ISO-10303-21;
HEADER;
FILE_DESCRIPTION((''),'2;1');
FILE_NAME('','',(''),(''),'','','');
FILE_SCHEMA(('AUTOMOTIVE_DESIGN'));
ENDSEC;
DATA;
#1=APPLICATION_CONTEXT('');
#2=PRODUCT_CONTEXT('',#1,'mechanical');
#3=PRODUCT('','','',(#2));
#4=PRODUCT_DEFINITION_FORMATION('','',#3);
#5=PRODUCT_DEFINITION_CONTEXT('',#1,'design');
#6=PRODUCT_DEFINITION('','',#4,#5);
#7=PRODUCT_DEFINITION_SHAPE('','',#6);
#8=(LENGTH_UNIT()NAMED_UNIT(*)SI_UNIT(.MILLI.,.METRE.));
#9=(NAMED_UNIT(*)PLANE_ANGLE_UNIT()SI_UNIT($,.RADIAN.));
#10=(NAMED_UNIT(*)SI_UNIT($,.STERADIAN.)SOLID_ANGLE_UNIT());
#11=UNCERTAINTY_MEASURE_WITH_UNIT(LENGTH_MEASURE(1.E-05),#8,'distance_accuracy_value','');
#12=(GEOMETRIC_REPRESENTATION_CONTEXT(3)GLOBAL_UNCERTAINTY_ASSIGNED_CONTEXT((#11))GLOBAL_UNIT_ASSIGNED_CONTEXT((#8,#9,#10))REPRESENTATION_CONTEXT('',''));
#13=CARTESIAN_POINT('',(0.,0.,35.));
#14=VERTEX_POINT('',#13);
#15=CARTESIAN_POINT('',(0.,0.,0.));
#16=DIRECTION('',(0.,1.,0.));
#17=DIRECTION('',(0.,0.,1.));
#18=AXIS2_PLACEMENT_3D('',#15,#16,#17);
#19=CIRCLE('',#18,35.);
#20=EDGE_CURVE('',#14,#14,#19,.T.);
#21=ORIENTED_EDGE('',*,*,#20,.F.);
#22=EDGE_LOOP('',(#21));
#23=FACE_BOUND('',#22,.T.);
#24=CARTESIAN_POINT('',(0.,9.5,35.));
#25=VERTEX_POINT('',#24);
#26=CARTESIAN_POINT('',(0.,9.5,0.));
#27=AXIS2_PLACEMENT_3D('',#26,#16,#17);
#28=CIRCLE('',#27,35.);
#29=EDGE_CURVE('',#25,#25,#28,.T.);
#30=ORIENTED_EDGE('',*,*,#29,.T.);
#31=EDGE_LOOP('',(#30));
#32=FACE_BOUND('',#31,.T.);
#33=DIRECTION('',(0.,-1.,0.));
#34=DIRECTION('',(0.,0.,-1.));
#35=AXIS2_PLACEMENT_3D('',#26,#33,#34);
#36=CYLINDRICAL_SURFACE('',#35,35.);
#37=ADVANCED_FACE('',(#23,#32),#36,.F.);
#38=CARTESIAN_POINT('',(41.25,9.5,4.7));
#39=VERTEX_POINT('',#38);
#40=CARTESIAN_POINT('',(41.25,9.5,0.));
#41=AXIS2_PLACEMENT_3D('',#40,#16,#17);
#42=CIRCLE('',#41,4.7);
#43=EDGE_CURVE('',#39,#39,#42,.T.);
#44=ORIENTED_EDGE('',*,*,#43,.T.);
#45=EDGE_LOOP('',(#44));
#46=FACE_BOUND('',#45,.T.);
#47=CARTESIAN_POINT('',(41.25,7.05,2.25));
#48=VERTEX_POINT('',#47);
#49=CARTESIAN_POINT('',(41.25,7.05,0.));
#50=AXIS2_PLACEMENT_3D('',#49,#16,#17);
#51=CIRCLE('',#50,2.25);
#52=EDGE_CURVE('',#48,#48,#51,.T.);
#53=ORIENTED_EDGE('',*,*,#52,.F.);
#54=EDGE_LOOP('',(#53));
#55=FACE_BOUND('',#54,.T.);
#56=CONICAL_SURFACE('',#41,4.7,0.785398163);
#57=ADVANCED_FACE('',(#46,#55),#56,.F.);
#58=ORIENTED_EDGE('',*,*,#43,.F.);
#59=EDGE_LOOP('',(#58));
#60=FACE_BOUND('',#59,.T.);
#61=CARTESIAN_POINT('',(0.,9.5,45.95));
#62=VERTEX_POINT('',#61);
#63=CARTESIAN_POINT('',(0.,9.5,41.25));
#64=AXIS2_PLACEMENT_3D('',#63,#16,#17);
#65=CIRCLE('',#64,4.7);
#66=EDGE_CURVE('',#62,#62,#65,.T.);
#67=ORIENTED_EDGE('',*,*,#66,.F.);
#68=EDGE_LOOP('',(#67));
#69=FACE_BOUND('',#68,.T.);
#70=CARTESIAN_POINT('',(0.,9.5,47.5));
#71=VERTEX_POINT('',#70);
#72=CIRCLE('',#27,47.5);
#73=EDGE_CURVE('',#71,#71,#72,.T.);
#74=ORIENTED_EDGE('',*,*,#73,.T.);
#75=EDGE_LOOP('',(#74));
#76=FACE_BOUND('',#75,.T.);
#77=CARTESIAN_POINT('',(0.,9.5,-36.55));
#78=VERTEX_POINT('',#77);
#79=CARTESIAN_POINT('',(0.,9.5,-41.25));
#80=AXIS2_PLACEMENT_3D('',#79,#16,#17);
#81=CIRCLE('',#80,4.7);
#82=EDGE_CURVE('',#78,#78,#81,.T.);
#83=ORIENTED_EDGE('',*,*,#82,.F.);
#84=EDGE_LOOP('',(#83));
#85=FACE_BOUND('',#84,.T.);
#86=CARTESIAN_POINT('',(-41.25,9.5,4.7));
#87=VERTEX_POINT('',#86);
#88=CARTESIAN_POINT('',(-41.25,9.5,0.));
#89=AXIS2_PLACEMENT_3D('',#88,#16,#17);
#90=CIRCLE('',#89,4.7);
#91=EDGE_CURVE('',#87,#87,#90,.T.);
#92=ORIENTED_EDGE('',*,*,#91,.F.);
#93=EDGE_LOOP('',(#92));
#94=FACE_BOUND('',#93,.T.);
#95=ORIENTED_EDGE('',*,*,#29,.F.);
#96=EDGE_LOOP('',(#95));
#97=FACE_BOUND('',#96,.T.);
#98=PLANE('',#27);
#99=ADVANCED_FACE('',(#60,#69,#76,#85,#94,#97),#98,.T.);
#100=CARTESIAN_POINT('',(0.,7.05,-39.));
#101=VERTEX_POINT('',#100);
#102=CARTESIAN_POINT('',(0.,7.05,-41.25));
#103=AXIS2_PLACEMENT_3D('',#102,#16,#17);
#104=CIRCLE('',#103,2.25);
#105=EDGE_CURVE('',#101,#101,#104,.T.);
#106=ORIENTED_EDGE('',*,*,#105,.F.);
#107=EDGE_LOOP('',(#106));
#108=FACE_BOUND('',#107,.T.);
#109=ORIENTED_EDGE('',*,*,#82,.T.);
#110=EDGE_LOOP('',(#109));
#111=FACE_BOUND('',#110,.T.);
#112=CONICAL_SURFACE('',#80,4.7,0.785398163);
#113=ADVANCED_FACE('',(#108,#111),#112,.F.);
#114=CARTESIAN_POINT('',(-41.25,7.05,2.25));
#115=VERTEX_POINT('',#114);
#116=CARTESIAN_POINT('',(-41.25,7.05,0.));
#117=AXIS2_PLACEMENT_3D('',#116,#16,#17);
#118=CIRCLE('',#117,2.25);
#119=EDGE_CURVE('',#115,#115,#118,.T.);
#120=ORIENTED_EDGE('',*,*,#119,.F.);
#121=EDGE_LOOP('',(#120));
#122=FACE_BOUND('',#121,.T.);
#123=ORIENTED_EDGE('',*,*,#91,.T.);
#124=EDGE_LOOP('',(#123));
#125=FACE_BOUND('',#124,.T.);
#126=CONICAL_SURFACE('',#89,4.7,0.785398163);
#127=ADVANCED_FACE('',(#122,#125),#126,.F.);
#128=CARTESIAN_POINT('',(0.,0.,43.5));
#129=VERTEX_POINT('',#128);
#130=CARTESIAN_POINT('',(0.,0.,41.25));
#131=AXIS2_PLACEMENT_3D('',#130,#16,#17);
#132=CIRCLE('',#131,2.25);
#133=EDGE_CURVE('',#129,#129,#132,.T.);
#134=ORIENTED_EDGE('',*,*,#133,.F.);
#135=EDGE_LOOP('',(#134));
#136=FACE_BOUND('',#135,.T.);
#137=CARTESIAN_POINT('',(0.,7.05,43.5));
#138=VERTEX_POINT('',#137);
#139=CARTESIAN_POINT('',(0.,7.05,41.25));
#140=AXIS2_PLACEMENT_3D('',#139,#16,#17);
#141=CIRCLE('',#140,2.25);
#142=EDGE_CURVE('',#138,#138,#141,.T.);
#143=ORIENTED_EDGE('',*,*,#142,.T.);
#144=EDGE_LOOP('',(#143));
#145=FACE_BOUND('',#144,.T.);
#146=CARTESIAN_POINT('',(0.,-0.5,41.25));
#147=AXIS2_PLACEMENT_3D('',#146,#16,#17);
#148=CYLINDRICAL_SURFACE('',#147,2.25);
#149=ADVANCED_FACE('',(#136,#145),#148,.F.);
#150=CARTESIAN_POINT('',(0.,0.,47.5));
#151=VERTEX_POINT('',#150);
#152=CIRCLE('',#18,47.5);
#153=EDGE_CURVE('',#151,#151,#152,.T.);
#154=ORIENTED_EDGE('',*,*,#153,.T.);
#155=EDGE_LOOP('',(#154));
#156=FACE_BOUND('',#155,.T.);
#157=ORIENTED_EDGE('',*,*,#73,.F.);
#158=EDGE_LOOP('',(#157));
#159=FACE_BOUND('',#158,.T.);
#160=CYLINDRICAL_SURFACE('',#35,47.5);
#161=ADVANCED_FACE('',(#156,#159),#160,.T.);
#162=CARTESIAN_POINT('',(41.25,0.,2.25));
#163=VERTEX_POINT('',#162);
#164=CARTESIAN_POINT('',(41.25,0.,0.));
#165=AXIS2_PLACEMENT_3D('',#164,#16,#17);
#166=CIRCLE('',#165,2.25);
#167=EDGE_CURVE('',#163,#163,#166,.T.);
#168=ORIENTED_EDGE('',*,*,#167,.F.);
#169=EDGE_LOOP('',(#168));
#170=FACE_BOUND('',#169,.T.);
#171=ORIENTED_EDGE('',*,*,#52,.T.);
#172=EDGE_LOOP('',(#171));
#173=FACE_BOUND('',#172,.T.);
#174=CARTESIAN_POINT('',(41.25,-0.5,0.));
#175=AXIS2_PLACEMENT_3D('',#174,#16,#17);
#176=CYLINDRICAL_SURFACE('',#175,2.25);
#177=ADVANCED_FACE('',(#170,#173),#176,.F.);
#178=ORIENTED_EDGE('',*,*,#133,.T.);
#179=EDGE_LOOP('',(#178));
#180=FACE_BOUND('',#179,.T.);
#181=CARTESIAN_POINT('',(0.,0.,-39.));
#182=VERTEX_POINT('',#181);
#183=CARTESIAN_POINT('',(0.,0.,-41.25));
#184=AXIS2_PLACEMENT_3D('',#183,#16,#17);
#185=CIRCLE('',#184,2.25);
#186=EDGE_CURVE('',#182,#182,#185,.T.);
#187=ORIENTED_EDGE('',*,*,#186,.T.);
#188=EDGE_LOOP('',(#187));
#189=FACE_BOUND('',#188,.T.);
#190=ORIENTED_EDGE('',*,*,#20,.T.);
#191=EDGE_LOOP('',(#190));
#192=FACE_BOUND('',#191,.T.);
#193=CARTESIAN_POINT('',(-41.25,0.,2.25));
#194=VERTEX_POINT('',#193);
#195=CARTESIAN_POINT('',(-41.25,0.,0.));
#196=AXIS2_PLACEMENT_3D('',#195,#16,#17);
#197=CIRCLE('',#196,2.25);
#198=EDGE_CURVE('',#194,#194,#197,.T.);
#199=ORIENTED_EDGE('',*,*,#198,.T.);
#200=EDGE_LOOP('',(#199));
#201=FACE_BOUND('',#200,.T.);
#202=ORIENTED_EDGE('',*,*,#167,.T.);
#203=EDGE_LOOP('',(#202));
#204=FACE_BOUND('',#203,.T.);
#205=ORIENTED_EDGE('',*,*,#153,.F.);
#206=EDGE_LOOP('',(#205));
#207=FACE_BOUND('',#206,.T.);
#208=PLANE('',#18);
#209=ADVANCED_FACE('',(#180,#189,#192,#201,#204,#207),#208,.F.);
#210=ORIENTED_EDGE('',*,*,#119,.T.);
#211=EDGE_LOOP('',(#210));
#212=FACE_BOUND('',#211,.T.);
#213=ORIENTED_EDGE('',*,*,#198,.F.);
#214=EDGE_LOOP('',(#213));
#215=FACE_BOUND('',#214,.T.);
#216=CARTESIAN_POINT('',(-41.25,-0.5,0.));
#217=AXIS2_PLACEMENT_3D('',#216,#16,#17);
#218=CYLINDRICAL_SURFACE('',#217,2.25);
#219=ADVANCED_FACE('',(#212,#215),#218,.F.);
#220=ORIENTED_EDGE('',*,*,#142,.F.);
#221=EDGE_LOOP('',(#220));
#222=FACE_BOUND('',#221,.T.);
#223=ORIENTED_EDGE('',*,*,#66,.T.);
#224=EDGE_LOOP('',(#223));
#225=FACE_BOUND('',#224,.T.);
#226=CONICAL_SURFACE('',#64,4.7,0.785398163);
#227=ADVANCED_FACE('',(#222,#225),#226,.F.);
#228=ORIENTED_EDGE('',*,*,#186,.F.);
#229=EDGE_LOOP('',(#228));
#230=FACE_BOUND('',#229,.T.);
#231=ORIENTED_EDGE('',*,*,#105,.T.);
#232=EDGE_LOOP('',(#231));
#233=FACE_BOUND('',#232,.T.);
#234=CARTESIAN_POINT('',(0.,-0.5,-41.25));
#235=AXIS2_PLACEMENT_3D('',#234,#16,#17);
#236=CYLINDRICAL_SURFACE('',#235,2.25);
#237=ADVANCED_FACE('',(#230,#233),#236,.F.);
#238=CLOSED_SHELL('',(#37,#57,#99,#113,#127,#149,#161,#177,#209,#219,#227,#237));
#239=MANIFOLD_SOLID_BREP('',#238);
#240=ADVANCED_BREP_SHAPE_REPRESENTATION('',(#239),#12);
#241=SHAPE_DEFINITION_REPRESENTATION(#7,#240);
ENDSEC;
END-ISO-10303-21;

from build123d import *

# Parameters (mm, degrees)
SKETCH1_R                                           = 47.5
SKETCH1_R_2                                         = 35
BOSS_EXTRUDE1_DEPTH                                 = 9.5
SKETCH2_R                                           = 2.25
CUT_EXTRUDE1_DEPTH                                  = 10
CSK_FOR_M4_COUNTERSUNK_FLAT_HEAD_SCREW1_D           = 4.5
CSK_FOR_M4_COUNTERSUNK_FLAT_HEAD_SCREW1_CSINK_D     = 9.4
CSK_FOR_M4_COUNTERSUNK_FLAT_HEAD_SCREW1_CSINK_ANGLE = 90


with BuildPart() as part:
    # Sketch1 → Boss-Extrude1 (new body)
    with BuildSketch(Plane(origin=(0, 0, 0), x_dir=(1, 0, 0), z_dir=(0, 1, 0))):
        with Locations(Location((0, 0, 0), (0, 0, 270))):
            Circle(SKETCH1_R)
        with Locations(Location((0, 0, 0), (0, 0, 270))):
            Circle(SKETCH1_R_2, mode=Mode.SUBTRACT)
    extrude(amount=BOSS_EXTRUDE1_DEPTH)

    # Sketch2 → Cut-Extrude1 (cut)
    with BuildSketch(Plane(origin=(0, 9.5, 0), x_dir=(1, 0, 0), z_dir=(0, 1, 0))):
        with Locations(Location((0, 41.25, 0), (0, 0, 270))):
            Circle(SKETCH2_R)
        with Locations(Location((41.25, 0, 0), (0, 0, 270))):
            Circle(SKETCH2_R)
        with Locations(Location((0, -41.25, 0), (0, 0, 270))):
            Circle(SKETCH2_R)
        with Locations(Location((-41.25, 0, 0), (0, 0, 270))):
            Circle(SKETCH2_R)
    extrude(amount=-CUT_EXTRUDE1_DEPTH, mode=Mode.SUBTRACT)

    # CSK for M4 Countersunk Flat Head Screw1 (through all)
    with Locations(Plane(origin=(0, 9.5, 41.25), x_dir=(0, 0, 1), z_dir=(0, 1, 0))):
        with Locations((0, 0), (-41.25, 41.25), (-82.5, 0), (-41.25, -41.25)):
            CounterSinkHole(CSK_FOR_M4_COUNTERSUNK_FLAT_HEAD_SCREW1_D / 2, CSK_FOR_M4_COUNTERSUNK_FLAT_HEAD_SCREW1_CSINK_D / 2, counter_sink_angle=CSK_FOR_M4_COUNTERSUNK_FLAT_HEAD_SCREW1_CSINK_ANGLE)


solid = part.part
